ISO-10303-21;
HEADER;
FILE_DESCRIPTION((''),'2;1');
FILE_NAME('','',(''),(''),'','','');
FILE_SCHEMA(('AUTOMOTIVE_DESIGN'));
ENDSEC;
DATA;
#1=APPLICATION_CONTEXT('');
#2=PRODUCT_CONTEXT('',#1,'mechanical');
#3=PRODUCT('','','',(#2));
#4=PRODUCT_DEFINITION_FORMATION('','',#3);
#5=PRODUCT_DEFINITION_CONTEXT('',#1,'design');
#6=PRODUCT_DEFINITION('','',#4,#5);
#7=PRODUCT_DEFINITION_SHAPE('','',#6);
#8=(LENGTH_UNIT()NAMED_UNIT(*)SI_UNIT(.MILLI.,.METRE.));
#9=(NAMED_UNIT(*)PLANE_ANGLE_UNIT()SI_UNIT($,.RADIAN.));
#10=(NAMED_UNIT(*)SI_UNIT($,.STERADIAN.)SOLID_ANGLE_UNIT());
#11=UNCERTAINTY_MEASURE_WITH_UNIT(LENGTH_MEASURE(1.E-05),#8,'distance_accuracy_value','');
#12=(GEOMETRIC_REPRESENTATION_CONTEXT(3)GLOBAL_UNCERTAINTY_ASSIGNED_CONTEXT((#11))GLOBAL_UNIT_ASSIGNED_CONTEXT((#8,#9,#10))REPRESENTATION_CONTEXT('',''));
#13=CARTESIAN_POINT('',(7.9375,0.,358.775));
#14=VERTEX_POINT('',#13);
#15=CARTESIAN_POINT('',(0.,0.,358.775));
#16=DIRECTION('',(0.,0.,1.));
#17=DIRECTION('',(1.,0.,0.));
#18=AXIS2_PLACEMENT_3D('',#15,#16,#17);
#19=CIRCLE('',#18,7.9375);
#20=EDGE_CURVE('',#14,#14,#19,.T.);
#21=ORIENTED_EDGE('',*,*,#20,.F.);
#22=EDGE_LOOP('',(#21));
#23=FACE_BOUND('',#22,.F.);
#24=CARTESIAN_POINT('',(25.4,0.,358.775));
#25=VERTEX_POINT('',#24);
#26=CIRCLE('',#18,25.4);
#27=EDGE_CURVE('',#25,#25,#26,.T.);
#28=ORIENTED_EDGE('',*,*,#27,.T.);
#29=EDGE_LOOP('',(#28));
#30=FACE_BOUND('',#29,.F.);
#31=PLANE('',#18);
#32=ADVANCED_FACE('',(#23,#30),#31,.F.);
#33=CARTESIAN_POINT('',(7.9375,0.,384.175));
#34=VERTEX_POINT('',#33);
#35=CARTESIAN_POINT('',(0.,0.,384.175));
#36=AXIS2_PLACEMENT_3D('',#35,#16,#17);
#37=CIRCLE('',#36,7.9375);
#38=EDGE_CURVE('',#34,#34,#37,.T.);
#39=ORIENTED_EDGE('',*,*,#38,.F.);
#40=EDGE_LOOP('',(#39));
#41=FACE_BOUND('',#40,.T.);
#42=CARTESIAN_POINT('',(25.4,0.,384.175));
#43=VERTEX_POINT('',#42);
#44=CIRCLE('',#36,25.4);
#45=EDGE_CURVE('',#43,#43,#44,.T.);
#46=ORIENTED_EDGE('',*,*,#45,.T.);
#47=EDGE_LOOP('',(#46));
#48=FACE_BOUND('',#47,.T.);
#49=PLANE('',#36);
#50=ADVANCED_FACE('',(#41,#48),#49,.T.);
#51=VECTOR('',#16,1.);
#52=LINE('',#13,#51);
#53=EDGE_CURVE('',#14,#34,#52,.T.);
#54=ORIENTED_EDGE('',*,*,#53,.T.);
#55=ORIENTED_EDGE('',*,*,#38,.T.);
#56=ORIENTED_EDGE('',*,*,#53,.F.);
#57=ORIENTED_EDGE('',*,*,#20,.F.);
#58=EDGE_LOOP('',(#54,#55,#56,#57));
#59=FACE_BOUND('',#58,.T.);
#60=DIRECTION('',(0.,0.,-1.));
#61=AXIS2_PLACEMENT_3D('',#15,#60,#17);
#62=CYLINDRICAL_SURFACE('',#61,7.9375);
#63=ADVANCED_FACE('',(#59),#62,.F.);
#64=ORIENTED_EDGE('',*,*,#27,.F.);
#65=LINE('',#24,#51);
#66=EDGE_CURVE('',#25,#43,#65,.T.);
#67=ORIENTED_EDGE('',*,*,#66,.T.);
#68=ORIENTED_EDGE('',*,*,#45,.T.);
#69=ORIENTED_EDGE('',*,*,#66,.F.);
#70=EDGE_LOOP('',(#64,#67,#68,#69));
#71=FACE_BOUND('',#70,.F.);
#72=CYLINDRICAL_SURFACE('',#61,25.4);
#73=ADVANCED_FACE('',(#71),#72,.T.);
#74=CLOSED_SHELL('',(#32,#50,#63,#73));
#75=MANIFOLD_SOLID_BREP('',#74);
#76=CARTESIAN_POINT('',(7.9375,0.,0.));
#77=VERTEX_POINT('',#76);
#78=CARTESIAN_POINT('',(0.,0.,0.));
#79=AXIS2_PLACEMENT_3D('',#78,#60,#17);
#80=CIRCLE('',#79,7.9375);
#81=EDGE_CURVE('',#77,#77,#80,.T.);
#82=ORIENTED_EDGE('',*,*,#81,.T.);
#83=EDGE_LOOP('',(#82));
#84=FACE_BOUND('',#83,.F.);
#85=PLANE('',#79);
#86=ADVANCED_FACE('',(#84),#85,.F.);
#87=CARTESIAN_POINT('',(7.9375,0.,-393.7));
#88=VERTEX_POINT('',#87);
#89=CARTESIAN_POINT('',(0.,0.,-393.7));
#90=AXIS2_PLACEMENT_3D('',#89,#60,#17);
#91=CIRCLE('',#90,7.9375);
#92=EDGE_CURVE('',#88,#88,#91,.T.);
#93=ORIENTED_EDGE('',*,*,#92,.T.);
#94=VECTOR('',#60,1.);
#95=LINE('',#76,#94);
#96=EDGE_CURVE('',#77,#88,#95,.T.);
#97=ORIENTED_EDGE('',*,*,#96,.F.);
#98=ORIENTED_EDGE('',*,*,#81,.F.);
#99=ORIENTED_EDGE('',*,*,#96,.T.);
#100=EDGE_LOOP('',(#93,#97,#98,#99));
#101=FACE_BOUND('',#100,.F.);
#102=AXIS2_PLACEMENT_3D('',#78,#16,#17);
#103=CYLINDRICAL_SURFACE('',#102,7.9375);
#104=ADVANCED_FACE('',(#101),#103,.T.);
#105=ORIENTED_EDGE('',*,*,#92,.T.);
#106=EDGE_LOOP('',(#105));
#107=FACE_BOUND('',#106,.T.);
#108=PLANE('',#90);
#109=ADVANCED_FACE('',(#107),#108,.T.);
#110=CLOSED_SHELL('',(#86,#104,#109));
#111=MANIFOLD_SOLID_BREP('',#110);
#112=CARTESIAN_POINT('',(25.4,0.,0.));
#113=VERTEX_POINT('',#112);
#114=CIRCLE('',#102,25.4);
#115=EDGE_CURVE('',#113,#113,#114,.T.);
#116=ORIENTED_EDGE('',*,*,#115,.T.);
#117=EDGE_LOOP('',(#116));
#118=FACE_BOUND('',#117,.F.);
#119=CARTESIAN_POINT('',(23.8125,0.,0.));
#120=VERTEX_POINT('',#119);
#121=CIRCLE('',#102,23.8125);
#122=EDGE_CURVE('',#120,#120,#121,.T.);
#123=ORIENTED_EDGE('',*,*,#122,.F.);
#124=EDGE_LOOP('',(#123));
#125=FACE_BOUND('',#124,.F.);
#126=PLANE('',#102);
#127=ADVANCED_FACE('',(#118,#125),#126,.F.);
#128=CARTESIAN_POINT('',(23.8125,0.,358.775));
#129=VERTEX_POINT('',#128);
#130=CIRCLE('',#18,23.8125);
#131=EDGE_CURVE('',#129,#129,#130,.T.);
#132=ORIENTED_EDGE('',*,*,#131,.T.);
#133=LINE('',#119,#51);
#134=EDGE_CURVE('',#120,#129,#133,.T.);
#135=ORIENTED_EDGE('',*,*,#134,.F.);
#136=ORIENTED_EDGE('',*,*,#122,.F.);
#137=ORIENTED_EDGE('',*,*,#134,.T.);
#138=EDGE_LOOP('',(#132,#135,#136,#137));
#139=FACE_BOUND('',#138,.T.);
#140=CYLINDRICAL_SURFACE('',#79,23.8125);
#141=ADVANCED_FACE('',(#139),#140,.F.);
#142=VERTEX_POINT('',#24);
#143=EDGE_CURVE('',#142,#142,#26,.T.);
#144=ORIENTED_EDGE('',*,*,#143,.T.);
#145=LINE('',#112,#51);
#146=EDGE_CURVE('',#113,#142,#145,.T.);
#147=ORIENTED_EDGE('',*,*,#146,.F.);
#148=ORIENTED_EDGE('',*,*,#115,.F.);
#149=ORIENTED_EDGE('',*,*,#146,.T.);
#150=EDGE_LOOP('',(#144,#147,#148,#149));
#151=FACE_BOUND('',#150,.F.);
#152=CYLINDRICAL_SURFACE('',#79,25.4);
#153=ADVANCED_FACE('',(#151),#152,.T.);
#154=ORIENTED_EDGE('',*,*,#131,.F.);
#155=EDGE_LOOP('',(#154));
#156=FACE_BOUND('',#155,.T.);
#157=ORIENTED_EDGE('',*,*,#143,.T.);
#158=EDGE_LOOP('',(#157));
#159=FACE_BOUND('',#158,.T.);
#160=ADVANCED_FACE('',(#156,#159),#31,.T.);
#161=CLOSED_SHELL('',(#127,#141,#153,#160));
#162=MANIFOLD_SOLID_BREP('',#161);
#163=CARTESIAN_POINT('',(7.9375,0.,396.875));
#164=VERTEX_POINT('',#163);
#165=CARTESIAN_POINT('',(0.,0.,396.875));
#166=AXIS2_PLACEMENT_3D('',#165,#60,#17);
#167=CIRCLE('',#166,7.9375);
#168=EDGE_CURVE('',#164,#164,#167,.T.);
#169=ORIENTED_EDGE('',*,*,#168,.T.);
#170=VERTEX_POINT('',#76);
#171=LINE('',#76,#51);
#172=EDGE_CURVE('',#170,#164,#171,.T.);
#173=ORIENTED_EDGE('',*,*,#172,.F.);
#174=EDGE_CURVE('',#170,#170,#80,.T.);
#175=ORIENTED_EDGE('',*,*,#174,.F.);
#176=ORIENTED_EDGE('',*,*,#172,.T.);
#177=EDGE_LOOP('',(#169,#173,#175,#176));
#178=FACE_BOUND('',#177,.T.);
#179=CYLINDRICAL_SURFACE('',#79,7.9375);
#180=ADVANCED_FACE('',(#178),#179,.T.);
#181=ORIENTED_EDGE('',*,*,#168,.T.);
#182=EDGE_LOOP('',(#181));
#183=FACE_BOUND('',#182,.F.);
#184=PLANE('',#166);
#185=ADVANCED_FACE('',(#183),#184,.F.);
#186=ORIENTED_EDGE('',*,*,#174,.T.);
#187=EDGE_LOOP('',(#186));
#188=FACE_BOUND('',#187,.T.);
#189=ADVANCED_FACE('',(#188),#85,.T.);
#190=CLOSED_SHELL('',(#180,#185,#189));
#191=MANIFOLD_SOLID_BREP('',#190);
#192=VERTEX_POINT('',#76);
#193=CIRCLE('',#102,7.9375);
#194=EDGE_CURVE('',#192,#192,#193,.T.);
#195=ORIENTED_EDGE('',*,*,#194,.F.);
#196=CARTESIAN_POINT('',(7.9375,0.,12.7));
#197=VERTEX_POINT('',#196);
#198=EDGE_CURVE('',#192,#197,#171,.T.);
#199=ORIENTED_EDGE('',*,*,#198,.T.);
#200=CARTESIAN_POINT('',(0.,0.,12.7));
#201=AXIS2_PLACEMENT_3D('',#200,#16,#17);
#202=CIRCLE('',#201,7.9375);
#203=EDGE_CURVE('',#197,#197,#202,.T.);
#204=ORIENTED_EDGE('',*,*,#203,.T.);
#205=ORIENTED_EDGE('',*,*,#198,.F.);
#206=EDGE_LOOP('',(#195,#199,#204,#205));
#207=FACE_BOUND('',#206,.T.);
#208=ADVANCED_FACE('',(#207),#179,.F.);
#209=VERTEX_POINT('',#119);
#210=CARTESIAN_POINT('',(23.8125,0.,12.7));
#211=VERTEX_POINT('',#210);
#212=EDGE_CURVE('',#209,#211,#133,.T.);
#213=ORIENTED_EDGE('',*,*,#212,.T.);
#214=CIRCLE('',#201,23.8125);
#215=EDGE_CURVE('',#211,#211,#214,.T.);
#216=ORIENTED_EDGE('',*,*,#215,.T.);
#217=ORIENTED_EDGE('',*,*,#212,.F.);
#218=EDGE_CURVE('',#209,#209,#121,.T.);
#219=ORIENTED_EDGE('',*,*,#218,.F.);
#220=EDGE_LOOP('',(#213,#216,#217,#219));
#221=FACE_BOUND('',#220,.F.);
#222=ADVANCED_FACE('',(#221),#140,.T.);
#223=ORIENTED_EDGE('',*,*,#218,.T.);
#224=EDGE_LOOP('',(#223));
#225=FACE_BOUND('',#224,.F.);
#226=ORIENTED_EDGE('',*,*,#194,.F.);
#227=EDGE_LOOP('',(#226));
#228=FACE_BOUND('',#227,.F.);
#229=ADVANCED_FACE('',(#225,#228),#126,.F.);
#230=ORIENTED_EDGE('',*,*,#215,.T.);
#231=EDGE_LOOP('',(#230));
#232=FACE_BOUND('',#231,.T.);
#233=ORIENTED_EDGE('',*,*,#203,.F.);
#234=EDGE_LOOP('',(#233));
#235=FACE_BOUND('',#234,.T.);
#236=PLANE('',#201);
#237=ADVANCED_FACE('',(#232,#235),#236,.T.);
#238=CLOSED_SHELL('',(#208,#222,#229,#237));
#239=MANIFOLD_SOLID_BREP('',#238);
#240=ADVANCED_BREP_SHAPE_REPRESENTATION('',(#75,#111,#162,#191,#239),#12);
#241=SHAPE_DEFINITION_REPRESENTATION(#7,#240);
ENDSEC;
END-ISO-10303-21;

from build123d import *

# Parameters (mm, degrees)
F0_R     = 25.4
F0_R_2   = 23.8125
F1_DEPTH = 358.775
F2_R     = 25.4
F2_R_2   = 7.9375
F3_DEPTH = 25.4
F4_R     = 23.8125
F4_R_2   = 7.9375
F5_DEPTH = 12.7
F6_R     = 7.9375
F7_DEPTH = 396.875
F8_R     = 7.9375
F9_DEPTH = 393.7


with BuildPart() as f1:
    # F0 (on Top) → F1 (new body)
    with BuildSketch(Plane.XY):
        Circle(F0_R)
        Circle(F0_R_2, mode=Mode.SUBTRACT)
    extrude(amount=F1_DEPTH)


with BuildPart() as f3:
    # F2 (on face) → F3 (new body)
    with BuildSketch(Plane.XY.offset(358.775)):
        Circle(F2_R)
        Circle(F2_R_2, mode=Mode.SUBTRACT)
    extrude(amount=F3_DEPTH)


with BuildPart() as f5:
    # F4 (on Top) → F5 (new body)
    with BuildSketch(Plane.XY):
        Circle(F4_R)
        Circle(F4_R_2, mode=Mode.SUBTRACT)
    extrude(amount=F5_DEPTH)


with BuildPart() as f7:
    # F6 (on face) → F7 (new body)
    with BuildSketch(Plane(origin=(0, 0, 0), x_dir=(1, 0, 0), z_dir=(0, 0, -1))):
        Circle(F6_R)
    extrude(amount=-F7_DEPTH)


with BuildPart() as f9:
    # F8 (on face) → F9 (new body)
    with BuildSketch(Plane(origin=(0, 0, 0), x_dir=(1, 0, 0), z_dir=(0, 0, -1))):
        Circle(F8_R)
    extrude(amount=F9_DEPTH)


solid = Compound([f1.part, f3.part, f5.part, f7.part, f9.part])
